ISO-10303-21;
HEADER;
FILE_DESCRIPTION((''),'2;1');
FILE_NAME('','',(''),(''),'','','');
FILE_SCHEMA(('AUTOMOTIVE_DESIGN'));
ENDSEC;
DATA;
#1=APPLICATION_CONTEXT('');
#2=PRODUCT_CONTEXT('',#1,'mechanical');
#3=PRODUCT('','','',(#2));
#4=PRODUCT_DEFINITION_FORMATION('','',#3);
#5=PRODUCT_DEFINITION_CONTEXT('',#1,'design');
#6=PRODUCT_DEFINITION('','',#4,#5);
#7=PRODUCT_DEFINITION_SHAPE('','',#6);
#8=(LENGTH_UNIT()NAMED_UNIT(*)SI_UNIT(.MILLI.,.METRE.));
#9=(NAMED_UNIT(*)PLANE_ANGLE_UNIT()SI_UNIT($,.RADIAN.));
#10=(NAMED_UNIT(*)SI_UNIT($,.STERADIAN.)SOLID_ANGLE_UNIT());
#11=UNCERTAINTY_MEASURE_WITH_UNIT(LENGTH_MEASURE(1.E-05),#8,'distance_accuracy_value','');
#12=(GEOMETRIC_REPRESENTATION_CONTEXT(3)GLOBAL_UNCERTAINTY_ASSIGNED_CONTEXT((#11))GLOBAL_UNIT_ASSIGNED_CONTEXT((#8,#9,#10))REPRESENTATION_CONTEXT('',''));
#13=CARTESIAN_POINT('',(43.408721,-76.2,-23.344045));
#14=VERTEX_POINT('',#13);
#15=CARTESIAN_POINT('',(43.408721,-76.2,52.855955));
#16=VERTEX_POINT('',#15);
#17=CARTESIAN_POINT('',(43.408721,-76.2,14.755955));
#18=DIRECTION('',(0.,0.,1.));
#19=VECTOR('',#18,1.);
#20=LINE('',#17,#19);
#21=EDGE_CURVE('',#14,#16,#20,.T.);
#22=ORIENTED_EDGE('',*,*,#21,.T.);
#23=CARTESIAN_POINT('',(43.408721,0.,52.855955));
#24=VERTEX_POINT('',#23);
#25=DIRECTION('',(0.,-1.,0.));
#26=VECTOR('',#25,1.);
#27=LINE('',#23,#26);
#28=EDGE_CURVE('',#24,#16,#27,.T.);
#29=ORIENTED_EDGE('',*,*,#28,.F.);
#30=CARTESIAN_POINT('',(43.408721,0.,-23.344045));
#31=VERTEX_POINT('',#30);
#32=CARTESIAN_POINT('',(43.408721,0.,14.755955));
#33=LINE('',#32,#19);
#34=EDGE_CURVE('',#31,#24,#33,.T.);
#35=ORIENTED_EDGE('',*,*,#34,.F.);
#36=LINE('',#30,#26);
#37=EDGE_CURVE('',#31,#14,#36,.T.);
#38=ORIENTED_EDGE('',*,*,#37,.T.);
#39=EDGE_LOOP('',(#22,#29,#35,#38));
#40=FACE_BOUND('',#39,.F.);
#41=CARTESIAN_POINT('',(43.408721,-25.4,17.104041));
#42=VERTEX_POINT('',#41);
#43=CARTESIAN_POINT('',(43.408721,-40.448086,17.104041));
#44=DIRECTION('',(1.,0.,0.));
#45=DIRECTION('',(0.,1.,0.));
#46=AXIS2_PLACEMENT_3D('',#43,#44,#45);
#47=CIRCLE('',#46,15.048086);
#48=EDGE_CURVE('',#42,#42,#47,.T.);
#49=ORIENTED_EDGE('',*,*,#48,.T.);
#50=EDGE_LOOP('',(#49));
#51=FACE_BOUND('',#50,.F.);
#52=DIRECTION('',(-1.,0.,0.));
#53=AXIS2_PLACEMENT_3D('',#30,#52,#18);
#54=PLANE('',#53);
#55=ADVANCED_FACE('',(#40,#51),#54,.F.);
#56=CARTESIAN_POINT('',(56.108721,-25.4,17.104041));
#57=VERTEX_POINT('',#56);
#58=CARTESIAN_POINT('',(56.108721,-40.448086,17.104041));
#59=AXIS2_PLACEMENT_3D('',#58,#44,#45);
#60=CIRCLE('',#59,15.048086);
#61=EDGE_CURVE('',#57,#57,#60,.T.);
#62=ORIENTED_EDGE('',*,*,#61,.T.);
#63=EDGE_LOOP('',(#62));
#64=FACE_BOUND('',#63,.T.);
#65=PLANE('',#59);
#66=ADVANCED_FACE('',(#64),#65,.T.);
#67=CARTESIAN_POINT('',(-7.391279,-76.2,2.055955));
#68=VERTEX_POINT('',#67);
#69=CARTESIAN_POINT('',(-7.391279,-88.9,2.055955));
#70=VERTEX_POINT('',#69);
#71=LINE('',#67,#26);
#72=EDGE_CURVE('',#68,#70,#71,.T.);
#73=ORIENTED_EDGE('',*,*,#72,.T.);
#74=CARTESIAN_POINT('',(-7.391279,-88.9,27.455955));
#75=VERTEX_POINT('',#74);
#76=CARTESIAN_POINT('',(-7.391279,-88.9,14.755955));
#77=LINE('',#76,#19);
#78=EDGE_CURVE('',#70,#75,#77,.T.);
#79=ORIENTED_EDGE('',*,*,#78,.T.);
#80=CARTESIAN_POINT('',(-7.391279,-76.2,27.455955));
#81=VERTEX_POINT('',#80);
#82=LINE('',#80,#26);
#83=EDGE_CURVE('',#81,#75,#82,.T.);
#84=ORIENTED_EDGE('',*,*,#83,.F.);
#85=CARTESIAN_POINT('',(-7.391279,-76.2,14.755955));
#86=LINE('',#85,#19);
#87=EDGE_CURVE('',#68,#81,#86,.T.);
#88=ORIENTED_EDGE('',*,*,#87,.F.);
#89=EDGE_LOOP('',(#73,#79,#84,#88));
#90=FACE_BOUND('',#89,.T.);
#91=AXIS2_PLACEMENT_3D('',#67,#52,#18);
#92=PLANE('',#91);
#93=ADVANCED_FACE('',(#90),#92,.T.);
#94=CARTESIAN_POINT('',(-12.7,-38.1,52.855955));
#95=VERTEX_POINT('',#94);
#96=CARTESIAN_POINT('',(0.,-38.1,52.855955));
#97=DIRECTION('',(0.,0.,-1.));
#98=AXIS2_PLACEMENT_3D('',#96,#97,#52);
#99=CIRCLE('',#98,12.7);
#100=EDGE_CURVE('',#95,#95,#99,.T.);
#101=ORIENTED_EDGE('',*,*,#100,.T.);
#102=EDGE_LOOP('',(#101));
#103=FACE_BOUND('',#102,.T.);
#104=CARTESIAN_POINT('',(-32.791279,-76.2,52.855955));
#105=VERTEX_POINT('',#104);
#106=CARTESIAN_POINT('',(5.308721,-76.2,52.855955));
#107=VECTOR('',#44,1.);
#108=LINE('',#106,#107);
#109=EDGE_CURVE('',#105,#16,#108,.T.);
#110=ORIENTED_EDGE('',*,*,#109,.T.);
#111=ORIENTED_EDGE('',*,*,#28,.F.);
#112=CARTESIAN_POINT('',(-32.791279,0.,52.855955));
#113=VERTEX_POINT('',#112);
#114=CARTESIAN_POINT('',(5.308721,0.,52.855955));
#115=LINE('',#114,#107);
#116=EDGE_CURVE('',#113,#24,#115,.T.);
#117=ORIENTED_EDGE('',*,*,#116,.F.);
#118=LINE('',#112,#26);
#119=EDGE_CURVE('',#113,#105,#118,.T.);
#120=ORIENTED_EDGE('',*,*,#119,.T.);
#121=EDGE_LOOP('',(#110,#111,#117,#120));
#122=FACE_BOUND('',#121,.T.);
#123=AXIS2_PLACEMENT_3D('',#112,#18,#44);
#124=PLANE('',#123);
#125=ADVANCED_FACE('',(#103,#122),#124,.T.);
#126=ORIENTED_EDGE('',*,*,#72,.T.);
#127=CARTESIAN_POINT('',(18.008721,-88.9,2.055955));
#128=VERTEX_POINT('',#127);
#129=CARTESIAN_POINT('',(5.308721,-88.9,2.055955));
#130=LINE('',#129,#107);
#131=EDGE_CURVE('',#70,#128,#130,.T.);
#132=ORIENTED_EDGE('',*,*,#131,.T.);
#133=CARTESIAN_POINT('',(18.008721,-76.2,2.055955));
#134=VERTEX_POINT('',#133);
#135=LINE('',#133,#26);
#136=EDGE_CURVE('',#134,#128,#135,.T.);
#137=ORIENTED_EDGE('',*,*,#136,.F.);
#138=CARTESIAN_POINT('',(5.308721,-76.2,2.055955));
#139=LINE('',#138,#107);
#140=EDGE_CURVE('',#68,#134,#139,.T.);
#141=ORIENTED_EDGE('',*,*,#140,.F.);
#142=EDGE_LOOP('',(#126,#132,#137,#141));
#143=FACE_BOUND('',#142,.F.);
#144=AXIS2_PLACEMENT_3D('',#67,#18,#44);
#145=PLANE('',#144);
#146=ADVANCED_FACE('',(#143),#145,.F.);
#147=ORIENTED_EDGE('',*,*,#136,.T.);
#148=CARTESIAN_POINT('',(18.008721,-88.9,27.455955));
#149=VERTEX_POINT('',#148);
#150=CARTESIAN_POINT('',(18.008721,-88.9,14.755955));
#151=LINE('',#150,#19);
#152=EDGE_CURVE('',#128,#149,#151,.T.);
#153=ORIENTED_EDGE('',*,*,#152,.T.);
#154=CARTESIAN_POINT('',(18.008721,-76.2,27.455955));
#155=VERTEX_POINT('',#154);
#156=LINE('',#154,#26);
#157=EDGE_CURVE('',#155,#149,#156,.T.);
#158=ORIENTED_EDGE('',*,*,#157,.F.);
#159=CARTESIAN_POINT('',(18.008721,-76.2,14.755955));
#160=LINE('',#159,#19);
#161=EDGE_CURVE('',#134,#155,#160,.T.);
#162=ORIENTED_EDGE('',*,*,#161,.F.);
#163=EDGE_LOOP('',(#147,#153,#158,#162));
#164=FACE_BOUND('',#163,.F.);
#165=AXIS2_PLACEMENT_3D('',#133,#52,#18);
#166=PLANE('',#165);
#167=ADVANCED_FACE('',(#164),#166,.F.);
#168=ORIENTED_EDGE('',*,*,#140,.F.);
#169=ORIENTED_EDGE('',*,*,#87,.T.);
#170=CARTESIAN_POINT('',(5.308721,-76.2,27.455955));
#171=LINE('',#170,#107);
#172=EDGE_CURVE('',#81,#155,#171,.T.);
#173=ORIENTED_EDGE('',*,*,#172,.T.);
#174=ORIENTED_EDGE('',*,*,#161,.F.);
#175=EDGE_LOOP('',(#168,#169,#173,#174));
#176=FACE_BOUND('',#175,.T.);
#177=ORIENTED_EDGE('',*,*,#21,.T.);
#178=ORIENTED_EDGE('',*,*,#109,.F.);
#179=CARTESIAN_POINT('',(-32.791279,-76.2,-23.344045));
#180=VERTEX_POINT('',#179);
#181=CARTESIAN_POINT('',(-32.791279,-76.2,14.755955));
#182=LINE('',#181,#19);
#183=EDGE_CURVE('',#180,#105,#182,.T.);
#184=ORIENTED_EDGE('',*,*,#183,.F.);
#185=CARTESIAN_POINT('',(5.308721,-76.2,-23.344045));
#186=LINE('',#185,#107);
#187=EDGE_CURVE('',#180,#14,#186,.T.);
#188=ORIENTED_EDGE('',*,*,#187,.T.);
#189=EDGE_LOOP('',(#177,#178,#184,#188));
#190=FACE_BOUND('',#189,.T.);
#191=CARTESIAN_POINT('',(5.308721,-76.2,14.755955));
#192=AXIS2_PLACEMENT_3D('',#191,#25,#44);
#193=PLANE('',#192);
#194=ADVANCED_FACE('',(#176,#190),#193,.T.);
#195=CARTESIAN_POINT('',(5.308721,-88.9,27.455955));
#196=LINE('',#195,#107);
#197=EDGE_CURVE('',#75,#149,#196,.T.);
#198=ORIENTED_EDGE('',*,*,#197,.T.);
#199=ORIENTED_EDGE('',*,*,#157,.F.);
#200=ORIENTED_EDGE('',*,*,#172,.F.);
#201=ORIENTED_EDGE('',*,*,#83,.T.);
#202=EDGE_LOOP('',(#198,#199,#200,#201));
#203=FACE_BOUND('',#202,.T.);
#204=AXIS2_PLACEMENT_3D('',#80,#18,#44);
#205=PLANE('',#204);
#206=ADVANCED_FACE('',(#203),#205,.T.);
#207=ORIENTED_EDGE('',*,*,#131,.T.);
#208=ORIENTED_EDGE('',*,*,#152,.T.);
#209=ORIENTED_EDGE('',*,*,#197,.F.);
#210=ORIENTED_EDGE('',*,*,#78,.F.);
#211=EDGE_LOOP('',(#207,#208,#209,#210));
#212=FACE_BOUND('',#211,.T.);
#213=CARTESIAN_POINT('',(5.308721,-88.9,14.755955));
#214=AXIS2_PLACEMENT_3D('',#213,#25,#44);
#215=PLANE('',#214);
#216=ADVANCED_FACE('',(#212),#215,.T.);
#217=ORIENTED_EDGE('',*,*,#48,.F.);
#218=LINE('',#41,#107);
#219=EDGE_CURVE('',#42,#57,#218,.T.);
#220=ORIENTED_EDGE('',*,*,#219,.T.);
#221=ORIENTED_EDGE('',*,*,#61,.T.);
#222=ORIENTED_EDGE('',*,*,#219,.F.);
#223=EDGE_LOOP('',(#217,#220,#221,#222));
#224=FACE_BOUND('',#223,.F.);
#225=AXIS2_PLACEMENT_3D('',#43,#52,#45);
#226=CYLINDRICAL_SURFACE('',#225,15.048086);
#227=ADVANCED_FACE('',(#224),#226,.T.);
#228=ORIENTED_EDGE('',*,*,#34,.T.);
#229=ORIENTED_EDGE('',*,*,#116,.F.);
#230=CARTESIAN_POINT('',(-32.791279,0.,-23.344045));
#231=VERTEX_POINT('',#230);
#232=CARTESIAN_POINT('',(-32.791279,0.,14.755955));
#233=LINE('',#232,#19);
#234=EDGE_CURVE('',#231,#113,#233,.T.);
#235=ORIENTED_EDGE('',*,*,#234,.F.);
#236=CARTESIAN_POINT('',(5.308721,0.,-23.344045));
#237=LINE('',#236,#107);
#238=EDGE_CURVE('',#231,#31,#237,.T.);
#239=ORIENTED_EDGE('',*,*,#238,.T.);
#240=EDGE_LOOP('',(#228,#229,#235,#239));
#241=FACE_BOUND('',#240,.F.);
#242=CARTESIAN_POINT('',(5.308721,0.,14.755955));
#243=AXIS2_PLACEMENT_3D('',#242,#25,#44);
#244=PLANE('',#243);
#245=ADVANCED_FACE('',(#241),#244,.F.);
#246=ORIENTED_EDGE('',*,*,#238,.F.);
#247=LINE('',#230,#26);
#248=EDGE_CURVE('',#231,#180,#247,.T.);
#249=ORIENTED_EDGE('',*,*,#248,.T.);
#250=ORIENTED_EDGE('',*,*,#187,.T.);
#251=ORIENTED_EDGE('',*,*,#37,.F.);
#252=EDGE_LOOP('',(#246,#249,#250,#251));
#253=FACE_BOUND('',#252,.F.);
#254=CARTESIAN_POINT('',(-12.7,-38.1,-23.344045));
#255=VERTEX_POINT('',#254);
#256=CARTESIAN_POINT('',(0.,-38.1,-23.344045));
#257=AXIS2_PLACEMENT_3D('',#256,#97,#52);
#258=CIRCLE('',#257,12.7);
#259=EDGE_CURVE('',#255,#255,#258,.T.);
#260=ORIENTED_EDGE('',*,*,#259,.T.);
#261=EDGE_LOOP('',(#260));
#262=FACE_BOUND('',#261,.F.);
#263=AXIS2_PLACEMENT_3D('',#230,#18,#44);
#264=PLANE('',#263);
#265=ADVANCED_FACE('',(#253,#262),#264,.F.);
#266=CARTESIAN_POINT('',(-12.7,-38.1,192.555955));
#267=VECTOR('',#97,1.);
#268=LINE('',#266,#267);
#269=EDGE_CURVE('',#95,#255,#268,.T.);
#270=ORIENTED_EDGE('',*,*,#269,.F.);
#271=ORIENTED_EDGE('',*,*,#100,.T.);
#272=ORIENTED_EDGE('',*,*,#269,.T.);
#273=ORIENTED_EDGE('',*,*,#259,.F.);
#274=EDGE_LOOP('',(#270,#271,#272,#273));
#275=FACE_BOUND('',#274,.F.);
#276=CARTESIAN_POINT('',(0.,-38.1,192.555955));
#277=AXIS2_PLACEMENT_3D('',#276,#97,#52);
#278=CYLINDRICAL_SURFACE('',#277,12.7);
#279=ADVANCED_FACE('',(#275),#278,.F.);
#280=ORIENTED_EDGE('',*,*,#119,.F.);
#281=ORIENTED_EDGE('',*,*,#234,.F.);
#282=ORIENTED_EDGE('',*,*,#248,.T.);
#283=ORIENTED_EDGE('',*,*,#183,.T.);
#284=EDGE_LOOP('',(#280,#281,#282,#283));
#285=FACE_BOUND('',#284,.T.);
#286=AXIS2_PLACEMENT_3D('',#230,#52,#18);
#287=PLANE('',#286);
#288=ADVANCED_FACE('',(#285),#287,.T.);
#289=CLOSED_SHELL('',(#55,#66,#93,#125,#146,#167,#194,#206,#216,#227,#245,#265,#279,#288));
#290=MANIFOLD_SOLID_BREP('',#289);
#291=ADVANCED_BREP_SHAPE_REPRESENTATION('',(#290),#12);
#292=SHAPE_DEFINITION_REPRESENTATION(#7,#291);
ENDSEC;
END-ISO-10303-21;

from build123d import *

# Parameters (mm, degrees)
F0_W     = 76.2
F0_H     = 76.2
F1_DEPTH = 76.2
F2_W     = 25.4
F2_H     = 25.4
F3_DEPTH = 12.7
F5_D     = 25.4
F6_R     = 15.048086
F7_DEPTH = 12.7


with BuildPart() as f1:
    # F0 (on Front) → F1 (new body)
    with BuildSketch(Plane.XZ):
        with Locations((5.308721, 14.755955)):
            Rectangle(F0_W, F0_H)
    extrude(amount=F1_DEPTH)

    # F2 (on face) → F3 (join)
    with BuildSketch(Plane.XZ.offset(76.2)):
        with Locations((5.308721, 14.755955)):
            Rectangle(F2_W, F2_H)
    extrude(amount=F3_DEPTH)

    # F5 (through all)
    with Locations(Plane.XY.offset(52.855955)):
        with Locations((0, -38.1)):
            Hole(F5_D / 2)

    # F6 (on face) → F7 (join)
    with BuildSketch(Plane.YZ.offset(43.408721)):
        with Locations((-40.448086, 17.104041)):
            Circle(F6_R)
    extrude(amount=F7_DEPTH)


solid = f1.part
